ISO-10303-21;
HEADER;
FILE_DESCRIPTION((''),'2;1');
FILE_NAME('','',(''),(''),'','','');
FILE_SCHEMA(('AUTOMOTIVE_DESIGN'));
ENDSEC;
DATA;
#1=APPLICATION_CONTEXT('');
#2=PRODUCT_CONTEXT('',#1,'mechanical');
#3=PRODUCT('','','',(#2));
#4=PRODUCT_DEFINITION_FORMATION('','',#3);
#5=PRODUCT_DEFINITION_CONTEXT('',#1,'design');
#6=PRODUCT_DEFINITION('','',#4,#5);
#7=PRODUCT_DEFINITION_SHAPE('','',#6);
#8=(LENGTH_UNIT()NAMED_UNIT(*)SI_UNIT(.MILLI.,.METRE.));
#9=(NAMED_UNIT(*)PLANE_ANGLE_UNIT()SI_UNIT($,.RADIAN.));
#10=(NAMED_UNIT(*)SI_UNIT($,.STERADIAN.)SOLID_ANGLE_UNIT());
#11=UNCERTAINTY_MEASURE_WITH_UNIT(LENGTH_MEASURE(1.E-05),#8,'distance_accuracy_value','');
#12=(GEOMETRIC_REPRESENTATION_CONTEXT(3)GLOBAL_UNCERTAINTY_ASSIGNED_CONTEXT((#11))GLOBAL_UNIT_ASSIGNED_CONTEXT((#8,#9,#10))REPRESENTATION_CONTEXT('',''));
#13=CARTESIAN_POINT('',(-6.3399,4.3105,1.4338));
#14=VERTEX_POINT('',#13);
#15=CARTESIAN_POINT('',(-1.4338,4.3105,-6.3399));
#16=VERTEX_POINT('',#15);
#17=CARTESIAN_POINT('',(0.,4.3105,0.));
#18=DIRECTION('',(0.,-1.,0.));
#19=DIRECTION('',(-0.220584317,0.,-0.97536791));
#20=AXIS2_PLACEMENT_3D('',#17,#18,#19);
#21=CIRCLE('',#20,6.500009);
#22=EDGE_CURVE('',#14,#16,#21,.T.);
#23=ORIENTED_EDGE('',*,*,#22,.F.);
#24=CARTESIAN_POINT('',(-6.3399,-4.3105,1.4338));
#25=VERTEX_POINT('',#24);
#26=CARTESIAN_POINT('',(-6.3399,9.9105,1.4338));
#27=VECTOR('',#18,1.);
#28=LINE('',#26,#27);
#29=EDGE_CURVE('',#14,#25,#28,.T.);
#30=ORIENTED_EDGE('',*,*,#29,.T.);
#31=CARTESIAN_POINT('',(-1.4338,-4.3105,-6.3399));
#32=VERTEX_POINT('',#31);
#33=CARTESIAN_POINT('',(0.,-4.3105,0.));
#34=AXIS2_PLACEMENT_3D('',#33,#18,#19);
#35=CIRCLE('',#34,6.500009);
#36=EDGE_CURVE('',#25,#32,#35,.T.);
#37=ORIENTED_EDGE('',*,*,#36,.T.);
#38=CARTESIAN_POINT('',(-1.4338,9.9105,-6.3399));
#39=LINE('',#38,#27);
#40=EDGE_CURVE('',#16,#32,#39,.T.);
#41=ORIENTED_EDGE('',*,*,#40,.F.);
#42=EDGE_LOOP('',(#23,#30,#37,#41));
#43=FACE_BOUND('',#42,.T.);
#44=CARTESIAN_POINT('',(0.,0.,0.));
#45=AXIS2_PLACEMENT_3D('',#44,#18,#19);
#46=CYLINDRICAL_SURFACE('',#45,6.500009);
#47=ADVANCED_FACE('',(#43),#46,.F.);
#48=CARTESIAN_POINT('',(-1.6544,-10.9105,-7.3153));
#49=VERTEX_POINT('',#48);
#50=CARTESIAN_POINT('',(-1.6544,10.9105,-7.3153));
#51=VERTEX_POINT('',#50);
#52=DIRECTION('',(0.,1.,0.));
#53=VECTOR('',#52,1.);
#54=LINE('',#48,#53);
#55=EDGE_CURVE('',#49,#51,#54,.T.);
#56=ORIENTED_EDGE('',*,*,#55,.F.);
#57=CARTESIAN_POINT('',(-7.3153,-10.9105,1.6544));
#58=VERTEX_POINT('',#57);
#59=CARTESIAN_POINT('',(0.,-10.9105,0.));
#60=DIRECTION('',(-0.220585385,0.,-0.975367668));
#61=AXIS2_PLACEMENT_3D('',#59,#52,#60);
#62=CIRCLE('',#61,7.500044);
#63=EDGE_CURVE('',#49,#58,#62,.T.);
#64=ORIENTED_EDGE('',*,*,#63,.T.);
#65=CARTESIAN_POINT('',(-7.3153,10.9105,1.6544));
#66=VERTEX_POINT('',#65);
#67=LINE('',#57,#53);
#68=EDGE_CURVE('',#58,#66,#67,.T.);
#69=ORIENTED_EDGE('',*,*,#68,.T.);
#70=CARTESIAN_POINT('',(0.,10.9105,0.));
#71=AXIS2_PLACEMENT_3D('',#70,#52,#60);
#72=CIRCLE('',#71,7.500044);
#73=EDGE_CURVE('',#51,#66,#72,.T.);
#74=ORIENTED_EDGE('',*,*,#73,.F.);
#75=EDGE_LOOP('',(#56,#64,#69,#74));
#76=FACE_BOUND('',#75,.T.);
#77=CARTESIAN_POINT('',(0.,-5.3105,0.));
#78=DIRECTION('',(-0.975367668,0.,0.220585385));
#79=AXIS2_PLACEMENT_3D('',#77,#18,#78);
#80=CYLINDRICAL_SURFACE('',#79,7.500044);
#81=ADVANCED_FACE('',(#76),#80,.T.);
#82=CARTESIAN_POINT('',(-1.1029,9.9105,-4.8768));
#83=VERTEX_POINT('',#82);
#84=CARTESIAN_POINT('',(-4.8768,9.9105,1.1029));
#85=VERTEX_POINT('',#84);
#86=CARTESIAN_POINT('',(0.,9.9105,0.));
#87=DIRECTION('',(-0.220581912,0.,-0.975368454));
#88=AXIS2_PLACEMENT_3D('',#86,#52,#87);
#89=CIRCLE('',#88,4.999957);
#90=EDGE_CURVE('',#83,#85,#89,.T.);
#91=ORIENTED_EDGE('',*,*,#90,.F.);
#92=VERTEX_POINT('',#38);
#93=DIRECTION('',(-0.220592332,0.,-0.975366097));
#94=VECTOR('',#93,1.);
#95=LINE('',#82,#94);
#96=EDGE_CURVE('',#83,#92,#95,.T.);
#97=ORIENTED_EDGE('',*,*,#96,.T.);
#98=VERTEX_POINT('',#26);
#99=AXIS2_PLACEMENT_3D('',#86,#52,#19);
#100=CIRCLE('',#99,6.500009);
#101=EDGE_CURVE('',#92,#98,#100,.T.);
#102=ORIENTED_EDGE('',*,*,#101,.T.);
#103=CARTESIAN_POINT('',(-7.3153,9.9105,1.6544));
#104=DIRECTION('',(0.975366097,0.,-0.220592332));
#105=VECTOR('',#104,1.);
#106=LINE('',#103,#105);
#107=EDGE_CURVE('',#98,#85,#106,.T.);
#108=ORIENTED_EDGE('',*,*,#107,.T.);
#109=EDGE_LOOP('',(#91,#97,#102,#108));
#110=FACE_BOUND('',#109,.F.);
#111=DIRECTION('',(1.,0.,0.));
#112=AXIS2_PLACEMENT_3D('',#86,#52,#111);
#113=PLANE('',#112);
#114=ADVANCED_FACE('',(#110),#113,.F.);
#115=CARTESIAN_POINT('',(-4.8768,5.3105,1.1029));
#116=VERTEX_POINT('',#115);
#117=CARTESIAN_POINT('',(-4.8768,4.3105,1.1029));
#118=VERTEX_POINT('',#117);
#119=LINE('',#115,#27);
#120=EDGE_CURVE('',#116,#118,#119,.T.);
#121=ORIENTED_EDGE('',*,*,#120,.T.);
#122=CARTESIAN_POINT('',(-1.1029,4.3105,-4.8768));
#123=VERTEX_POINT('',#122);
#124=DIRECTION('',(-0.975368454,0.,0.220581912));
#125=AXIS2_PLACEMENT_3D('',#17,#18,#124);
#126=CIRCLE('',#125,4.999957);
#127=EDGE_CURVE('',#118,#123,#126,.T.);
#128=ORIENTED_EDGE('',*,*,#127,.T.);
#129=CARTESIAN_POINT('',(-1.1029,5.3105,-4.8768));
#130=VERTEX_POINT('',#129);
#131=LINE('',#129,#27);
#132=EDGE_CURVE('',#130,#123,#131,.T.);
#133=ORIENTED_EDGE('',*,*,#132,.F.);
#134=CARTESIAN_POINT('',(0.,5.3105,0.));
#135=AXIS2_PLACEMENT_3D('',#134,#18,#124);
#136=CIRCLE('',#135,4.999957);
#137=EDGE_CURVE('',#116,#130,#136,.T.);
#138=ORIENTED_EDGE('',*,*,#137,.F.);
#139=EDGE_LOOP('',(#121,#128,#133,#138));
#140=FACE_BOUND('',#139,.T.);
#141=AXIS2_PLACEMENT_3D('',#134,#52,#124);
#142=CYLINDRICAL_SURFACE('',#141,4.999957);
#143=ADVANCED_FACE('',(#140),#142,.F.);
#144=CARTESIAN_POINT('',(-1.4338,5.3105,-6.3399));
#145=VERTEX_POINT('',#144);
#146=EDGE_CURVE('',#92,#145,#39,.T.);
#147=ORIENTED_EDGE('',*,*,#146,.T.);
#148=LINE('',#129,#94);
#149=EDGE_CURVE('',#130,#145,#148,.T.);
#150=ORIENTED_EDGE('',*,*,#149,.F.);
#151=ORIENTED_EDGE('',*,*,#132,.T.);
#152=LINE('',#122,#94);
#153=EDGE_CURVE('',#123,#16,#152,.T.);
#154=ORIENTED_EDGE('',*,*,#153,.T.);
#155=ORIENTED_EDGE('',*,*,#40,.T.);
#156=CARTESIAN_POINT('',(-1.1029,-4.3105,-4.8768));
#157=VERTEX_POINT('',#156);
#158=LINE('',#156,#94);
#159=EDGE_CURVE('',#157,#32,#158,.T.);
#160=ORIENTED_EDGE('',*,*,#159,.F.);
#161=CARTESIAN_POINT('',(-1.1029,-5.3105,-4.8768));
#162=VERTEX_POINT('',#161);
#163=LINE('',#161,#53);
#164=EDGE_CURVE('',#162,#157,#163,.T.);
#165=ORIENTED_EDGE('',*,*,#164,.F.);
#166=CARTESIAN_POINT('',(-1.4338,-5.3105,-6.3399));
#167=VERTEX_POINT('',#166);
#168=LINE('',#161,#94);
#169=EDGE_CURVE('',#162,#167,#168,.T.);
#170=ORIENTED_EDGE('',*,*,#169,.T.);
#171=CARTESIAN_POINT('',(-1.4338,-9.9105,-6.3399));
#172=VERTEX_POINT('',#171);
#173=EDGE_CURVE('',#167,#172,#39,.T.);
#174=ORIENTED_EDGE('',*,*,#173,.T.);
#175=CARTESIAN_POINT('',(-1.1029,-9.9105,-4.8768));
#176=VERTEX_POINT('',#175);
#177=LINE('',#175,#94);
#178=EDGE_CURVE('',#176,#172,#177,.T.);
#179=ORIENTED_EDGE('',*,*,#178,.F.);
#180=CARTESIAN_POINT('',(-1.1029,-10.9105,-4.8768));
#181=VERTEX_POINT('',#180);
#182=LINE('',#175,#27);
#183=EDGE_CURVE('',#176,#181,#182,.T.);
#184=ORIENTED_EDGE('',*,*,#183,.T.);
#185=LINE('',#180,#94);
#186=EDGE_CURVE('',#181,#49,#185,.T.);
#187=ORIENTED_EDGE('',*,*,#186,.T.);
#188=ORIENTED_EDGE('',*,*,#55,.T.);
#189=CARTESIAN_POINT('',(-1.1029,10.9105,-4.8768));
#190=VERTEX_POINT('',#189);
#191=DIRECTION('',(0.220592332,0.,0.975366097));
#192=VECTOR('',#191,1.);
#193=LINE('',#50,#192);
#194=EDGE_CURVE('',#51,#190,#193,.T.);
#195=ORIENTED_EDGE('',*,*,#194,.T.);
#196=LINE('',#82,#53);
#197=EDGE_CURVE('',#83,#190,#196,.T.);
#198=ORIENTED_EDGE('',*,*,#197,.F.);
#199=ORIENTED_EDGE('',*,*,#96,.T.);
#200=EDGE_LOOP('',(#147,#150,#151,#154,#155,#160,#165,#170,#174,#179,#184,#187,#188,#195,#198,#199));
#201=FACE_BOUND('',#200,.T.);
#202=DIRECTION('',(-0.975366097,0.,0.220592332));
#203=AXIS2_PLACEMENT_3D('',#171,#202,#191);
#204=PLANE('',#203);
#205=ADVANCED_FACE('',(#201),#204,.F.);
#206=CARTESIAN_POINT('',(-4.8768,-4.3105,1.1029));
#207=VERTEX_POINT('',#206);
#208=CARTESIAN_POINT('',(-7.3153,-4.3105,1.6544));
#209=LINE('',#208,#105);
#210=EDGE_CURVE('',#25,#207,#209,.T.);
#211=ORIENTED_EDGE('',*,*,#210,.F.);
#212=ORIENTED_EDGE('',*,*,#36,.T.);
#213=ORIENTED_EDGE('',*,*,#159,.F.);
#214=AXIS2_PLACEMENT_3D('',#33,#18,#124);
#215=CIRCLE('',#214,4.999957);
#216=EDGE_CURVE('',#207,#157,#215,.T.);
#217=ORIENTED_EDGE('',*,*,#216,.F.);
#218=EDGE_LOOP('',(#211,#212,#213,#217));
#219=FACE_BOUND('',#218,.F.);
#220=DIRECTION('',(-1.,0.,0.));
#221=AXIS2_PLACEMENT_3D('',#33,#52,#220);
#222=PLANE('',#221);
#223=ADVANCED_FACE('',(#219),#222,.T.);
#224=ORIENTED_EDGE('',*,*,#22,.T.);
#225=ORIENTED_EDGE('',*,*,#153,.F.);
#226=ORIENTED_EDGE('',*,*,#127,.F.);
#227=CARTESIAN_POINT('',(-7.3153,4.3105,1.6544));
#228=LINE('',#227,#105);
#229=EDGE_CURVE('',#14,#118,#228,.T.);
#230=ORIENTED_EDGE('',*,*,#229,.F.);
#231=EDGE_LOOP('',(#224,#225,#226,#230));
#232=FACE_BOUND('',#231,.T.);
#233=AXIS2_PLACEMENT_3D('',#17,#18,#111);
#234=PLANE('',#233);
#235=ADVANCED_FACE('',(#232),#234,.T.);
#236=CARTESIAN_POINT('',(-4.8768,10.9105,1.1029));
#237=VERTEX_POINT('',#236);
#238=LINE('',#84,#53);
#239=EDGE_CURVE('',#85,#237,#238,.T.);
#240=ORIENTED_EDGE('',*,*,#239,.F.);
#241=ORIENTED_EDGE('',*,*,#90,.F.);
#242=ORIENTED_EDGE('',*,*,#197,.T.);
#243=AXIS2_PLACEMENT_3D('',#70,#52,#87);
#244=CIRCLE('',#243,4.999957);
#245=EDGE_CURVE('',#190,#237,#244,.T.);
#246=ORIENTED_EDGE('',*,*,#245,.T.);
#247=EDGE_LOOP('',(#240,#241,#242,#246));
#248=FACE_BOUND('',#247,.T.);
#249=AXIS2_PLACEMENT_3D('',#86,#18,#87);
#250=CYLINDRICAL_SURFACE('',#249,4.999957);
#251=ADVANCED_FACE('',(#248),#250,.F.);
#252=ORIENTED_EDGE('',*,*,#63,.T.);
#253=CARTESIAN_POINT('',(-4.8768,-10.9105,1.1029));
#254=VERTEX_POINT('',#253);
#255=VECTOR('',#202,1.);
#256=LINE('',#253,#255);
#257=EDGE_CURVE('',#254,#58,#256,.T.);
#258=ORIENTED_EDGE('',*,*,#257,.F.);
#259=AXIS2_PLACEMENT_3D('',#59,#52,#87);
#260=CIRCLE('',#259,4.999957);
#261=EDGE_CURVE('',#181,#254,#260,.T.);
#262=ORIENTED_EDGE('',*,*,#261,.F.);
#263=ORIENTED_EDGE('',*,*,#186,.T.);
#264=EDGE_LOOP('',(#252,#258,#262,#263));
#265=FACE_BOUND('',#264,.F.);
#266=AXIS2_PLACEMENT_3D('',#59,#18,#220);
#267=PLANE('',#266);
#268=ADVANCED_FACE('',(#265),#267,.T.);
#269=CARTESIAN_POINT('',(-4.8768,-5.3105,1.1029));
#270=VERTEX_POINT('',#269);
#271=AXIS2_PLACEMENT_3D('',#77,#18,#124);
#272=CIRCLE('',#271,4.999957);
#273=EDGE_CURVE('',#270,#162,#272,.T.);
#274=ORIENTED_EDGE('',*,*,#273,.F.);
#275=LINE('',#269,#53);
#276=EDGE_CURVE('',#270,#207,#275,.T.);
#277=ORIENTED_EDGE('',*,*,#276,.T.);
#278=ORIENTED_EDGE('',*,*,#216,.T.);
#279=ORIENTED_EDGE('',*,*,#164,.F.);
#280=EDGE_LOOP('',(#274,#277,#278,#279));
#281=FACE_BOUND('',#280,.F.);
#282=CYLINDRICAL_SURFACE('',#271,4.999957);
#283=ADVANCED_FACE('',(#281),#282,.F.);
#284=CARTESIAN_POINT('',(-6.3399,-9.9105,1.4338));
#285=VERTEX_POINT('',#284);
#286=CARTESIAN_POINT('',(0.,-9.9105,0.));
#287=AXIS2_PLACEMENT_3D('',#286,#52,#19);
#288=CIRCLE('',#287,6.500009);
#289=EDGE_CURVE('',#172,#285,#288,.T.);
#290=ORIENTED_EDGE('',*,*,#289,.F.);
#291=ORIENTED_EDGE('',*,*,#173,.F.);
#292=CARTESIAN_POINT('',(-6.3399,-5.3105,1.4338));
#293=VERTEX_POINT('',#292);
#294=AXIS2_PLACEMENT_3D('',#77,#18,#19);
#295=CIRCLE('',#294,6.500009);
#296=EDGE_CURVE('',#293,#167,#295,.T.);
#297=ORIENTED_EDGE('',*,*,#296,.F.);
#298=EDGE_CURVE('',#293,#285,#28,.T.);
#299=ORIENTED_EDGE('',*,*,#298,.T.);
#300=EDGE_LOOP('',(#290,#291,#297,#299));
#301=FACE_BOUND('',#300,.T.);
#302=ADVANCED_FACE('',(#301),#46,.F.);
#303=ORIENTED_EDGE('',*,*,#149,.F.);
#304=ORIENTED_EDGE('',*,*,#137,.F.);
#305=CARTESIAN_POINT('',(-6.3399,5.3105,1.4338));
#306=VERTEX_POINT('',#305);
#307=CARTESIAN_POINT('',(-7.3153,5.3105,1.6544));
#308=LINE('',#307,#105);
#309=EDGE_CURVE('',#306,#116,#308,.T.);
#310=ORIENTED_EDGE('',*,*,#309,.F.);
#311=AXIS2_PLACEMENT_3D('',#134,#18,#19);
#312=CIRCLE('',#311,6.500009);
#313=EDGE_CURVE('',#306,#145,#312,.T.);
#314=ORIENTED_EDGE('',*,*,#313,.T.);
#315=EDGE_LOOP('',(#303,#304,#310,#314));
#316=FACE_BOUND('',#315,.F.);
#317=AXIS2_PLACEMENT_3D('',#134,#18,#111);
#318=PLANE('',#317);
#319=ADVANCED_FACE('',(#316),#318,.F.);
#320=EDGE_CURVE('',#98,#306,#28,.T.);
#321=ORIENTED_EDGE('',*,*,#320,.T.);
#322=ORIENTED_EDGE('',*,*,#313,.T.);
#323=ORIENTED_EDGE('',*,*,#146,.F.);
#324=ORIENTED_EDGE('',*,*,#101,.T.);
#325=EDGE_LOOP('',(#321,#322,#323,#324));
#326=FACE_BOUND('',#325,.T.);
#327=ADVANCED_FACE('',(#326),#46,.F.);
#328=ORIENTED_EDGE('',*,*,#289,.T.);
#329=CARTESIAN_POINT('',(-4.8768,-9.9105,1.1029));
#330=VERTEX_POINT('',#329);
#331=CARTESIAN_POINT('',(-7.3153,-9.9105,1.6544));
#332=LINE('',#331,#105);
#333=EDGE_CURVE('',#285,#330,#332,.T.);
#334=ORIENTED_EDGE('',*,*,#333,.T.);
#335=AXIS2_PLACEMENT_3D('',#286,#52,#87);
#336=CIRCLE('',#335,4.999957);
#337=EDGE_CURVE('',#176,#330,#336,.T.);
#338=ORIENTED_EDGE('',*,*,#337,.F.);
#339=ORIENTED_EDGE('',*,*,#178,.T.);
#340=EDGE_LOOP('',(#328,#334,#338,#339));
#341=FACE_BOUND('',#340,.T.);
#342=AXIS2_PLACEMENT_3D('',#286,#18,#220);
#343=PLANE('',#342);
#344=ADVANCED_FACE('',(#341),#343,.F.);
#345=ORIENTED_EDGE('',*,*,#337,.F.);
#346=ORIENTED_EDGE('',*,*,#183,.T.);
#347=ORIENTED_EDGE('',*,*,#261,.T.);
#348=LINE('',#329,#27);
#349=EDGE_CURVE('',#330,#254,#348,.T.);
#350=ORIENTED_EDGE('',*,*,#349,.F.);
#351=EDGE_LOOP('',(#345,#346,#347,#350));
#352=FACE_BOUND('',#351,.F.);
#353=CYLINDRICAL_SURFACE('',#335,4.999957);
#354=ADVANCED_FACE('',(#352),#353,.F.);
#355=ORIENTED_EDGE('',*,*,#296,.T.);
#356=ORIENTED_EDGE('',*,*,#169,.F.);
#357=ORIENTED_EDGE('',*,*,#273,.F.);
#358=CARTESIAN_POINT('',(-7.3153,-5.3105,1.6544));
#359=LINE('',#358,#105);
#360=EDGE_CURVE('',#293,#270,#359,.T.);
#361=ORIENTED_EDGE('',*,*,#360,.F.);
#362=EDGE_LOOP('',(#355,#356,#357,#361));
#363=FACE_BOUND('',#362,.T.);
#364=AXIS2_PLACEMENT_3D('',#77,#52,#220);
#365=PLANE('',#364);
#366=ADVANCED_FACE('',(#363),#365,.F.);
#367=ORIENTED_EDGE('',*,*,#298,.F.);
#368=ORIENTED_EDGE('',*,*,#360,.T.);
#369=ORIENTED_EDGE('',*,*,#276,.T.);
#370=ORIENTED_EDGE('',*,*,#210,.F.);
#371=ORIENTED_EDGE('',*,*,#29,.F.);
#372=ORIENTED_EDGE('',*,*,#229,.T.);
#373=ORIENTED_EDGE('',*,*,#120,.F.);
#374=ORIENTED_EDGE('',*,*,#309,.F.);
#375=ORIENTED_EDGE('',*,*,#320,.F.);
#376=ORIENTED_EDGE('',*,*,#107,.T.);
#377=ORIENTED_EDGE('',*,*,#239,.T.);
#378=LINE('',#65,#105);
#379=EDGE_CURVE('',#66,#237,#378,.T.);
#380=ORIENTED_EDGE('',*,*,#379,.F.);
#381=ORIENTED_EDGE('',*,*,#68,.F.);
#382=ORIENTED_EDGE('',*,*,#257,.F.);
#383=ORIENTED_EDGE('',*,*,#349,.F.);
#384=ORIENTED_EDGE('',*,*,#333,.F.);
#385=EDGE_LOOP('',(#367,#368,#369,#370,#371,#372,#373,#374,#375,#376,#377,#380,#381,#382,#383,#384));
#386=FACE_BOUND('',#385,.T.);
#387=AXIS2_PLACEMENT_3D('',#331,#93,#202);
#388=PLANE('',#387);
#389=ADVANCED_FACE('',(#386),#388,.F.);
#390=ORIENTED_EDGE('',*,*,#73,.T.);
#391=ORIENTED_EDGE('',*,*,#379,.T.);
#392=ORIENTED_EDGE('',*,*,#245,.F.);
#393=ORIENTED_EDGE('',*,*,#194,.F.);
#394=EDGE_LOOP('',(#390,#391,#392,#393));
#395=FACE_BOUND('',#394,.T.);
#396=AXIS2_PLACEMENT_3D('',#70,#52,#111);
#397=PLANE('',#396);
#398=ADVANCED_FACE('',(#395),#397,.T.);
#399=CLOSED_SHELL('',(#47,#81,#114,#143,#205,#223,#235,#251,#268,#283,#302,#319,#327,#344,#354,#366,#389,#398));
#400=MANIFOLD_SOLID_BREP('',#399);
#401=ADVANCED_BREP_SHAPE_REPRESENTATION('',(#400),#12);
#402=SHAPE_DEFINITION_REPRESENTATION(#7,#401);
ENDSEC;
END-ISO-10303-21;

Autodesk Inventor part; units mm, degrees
ref_plane "YZ Plane" through (0, 0, 0) normal (1, 0, 0) x (0, 1, 0)
ref_plane "XZ Plane" through (0, 0, 0) normal (0, 1, 0) x (-1, 0, 0)
ref_plane "XY Plane" through (0, 0, 0) normal (0, 0, 1) x (1, 0, 0)
sketch "Sketch1" plane through (0, 0, 0) normal (0, 1, 0) x (-1, 0, 0)
  arc A0 (1.6544, -7.3153) -> (7.3153, 1.6544) centre (0, 0) ccw
  arc A1 (1.4338, -6.3399) -> (6.3399, 1.4338) centre (0, 0) ccw
  line L0 (7.3153, 1.6544) -> (6.3399, 1.4338)
  line L1 (1.4338, -6.3399) -> (1.6544, -7.3153)
  dimension "d0" = 7.5
  dimension "d1" = 1
  dimension "d4" = 90
extrude "Extrusion1" add sketch "Sketch1" along normal mid plane 19.821
sketch "Sketch2" plane through (0, 9.9105, 0) normal (0, 1, 0) x (1, 0, 0)
  arc A0 (-1.6544, 7.3153) -> (-7.3153, -1.6544) centre (0, 0) ccw projected
  arc A1 (-1.1029, 4.8768) -> (-4.8768, -1.1029) centre (0, 0) ccw
  line L0 (-7.3153, -1.6544) -> (-4.8768, -1.1029)
  line L1 (-1.1029, 4.8768) -> (-1.6544, 7.3153)
  line L2 (-7.3153, -1.6544) -> (-6.3399, -1.4338) projected
  line L3 (-1.4338, 6.3399) -> (-1.6544, 7.3153) projected
  dimension "d9" = 2.5
extrude "Extrusion2" add sketch "Sketch2" along normal blind 1
mirror "Mirror1" about plane through (0, 0, 0) normal (0, 1, 0) of "Extrusion2"
ref_plane "Work Plane2" through (0, 5.3105, 0) normal (0, -1, 0) x (1, 0, 0)
sketch "Sketch3" plane through (0, 5.3105, 0) normal (0, -1, 0) x (1, 0, 0)
  arc A0 (-7.3153, 1.6544) -> (-1.6544, -7.3153) centre (0, 0) ccw projected
  line L0 (-7.3153, 1.6544) -> (-4.8768, 1.1029) projected
  arc A1 (-4.8768, 1.1029) -> (-1.1029, -4.8768) centre (0, 0) ccw projected
  line L1 (-1.1029, -4.8768) -> (-1.6544, -7.3153) projected
extrude "Extrusion3" add sketch "Sketch3" along normal blind 1
mirror "Mirror2" about plane through (0, 0, 0) normal (0, 1, 0) of "Extrusion3"
ref_plane "Work Plane3" through (-6.3399, 12.512, 1.4338) normal (-0.8457, 0, -0.5337) x (0.5337, 0, -0.8457)
sketch "Sketch4" plane through (-14.3948, 12.512, -3.6499) normal (-0.8457, 0, -0.5337) x (0.5337, 0, -0.8457)
  line L0 (3.7075, 16.0789) -> (7.5195, 16.0789) construction
  line L1 (7.5195, 16.0789) -> (7.5195, 13.4854) construction
  line L2 (7.5195, 13.4854) -> (3.7075, 13.4854) construction
  line L3 (3.7075, 13.4854) -> (3.7075, 16.0789) construction
  point P0 (4.5962, 12.512)
ref_plane "Work Plane1" through (0, 0, 0) normal (0, 1, 0) x (-1, 0, 0)
properties part number "circular_tether"
